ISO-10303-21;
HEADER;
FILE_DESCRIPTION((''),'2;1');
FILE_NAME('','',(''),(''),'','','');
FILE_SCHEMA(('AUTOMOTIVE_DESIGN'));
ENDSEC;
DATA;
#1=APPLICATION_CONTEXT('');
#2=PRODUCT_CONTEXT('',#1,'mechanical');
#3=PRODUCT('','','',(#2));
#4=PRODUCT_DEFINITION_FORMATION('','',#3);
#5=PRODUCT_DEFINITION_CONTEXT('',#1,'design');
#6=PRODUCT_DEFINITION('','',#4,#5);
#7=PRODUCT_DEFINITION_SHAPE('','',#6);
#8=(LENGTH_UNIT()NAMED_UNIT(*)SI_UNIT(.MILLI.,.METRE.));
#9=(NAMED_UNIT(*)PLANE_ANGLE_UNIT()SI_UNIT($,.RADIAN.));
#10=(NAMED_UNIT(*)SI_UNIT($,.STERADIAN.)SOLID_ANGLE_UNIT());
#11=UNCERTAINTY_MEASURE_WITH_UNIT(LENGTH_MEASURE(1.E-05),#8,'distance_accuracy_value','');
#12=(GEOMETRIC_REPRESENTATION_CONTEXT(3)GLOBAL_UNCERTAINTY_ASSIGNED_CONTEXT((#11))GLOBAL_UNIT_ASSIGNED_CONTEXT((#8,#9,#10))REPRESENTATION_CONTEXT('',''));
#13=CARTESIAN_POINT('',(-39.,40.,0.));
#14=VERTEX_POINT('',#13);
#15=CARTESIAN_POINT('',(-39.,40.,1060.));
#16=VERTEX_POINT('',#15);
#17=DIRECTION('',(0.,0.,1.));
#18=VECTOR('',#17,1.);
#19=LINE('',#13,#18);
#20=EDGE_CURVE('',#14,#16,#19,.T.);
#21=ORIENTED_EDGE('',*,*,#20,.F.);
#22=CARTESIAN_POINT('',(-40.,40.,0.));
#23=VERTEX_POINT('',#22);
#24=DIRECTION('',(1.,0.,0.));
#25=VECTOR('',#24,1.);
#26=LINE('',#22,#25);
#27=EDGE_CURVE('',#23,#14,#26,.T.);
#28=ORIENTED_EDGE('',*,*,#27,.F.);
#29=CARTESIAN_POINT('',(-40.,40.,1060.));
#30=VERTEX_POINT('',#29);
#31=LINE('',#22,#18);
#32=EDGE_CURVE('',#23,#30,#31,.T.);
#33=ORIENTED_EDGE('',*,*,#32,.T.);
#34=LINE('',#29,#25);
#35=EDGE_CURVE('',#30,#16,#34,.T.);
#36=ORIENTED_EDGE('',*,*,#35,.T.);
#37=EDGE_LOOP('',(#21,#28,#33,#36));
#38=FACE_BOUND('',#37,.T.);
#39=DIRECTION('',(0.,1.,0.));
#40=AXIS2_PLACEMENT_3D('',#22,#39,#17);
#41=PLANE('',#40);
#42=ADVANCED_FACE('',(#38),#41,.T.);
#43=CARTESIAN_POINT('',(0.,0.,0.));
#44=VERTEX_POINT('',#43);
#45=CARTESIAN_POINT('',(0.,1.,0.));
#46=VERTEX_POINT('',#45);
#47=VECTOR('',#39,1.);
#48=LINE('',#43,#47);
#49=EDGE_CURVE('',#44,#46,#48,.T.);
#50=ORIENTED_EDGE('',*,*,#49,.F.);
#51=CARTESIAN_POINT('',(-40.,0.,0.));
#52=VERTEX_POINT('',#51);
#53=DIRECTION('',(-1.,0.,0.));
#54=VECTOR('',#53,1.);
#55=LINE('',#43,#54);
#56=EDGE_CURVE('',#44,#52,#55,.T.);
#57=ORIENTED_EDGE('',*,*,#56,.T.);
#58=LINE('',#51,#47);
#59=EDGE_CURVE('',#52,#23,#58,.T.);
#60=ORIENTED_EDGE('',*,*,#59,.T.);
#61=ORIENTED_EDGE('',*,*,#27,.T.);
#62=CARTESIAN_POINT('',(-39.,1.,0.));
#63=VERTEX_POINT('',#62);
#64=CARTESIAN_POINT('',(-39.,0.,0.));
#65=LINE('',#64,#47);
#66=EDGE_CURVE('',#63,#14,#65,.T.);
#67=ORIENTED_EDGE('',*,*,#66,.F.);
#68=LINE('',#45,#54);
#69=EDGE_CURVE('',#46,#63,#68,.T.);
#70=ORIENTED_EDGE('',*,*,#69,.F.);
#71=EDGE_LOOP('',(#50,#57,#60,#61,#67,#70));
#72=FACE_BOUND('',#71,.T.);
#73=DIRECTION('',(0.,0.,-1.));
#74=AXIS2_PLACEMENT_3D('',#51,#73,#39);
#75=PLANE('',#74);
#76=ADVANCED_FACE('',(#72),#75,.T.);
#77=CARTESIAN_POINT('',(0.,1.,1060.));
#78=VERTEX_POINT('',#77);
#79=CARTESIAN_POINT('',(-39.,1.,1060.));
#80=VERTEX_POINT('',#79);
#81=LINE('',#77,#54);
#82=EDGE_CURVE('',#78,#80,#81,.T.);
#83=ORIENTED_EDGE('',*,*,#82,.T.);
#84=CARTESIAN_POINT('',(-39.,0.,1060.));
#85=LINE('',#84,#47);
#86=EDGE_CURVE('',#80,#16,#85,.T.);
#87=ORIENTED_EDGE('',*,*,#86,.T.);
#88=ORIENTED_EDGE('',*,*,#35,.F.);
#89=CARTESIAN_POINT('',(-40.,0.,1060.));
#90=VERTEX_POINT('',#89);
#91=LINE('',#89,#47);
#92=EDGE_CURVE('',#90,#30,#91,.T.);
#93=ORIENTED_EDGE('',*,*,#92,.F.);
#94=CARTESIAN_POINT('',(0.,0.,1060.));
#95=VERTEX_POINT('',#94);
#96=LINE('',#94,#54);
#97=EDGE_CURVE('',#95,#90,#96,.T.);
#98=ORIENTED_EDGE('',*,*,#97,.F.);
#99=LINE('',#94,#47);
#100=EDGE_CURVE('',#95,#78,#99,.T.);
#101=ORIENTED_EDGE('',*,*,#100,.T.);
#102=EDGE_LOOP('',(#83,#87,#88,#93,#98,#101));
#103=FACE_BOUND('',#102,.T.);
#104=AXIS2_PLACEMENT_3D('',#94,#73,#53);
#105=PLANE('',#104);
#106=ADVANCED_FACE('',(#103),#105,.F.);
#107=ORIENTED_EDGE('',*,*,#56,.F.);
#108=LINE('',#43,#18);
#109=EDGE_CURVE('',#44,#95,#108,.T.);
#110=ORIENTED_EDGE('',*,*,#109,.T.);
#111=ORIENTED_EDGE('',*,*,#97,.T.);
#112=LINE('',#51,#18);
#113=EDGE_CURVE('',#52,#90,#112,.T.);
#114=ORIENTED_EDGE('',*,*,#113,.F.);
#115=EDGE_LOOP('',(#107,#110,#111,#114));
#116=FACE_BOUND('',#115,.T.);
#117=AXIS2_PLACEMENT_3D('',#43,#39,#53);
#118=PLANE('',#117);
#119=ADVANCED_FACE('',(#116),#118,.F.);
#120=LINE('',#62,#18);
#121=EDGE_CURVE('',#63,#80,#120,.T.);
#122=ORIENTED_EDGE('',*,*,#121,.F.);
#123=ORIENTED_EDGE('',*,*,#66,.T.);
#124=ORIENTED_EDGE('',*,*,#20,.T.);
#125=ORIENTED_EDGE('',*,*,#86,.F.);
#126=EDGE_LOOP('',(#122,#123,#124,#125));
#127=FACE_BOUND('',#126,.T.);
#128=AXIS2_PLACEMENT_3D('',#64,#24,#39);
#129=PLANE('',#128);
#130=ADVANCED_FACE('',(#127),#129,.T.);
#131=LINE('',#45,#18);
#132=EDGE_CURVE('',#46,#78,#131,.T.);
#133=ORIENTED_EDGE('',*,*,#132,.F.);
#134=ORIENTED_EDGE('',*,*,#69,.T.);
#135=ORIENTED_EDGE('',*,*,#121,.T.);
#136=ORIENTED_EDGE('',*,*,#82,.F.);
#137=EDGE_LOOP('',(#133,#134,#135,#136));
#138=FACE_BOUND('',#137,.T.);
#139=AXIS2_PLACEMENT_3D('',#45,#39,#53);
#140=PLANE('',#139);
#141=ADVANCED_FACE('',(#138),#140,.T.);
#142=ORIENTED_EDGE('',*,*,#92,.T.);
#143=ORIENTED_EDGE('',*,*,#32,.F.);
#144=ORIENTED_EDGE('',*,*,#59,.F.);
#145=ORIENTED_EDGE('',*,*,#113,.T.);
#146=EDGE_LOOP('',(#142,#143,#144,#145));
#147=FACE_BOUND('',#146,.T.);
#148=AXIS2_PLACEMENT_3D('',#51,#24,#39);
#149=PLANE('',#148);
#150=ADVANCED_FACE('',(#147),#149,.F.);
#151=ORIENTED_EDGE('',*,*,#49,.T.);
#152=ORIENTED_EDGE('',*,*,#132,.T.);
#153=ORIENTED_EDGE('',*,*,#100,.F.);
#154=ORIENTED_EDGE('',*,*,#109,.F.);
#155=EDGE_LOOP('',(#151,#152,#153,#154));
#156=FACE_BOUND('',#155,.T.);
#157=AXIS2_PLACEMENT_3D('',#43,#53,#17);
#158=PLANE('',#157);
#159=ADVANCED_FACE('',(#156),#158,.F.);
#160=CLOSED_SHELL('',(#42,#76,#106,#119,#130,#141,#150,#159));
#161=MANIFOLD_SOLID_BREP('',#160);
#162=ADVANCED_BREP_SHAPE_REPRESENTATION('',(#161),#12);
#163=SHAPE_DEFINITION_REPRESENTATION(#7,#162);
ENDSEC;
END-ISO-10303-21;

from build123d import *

# Parameters (mm, degrees)
SUPERFICIE_EXTRUIR1_1_DEPTH = 1060
DAR_ESPESOR1_T2             = 1


with BuildPart() as body_1:
    # Superficie-Extruir1: a surface, the sketch's curves swept straight by 1060 mm
    with BuildLine(Plane.XY, mode=Mode.PRIVATE) as superficie_extruir1_1_path:
        Line((0, 0), (-40, 0))
        Line((-40, 0), (-40, 40))
    superficie_extruir1_1 = Shell.extrude(superficie_extruir1_1_path.wire(), (0 * SUPERFICIE_EXTRUIR1_1_DEPTH, 0 * SUPERFICIE_EXTRUIR1_1_DEPTH, 1 * SUPERFICIE_EXTRUIR1_1_DEPTH))
    add(Solid.thicken(superficie_extruir1_1, -DAR_ESPESOR1_T2))


solid = body_1.part
